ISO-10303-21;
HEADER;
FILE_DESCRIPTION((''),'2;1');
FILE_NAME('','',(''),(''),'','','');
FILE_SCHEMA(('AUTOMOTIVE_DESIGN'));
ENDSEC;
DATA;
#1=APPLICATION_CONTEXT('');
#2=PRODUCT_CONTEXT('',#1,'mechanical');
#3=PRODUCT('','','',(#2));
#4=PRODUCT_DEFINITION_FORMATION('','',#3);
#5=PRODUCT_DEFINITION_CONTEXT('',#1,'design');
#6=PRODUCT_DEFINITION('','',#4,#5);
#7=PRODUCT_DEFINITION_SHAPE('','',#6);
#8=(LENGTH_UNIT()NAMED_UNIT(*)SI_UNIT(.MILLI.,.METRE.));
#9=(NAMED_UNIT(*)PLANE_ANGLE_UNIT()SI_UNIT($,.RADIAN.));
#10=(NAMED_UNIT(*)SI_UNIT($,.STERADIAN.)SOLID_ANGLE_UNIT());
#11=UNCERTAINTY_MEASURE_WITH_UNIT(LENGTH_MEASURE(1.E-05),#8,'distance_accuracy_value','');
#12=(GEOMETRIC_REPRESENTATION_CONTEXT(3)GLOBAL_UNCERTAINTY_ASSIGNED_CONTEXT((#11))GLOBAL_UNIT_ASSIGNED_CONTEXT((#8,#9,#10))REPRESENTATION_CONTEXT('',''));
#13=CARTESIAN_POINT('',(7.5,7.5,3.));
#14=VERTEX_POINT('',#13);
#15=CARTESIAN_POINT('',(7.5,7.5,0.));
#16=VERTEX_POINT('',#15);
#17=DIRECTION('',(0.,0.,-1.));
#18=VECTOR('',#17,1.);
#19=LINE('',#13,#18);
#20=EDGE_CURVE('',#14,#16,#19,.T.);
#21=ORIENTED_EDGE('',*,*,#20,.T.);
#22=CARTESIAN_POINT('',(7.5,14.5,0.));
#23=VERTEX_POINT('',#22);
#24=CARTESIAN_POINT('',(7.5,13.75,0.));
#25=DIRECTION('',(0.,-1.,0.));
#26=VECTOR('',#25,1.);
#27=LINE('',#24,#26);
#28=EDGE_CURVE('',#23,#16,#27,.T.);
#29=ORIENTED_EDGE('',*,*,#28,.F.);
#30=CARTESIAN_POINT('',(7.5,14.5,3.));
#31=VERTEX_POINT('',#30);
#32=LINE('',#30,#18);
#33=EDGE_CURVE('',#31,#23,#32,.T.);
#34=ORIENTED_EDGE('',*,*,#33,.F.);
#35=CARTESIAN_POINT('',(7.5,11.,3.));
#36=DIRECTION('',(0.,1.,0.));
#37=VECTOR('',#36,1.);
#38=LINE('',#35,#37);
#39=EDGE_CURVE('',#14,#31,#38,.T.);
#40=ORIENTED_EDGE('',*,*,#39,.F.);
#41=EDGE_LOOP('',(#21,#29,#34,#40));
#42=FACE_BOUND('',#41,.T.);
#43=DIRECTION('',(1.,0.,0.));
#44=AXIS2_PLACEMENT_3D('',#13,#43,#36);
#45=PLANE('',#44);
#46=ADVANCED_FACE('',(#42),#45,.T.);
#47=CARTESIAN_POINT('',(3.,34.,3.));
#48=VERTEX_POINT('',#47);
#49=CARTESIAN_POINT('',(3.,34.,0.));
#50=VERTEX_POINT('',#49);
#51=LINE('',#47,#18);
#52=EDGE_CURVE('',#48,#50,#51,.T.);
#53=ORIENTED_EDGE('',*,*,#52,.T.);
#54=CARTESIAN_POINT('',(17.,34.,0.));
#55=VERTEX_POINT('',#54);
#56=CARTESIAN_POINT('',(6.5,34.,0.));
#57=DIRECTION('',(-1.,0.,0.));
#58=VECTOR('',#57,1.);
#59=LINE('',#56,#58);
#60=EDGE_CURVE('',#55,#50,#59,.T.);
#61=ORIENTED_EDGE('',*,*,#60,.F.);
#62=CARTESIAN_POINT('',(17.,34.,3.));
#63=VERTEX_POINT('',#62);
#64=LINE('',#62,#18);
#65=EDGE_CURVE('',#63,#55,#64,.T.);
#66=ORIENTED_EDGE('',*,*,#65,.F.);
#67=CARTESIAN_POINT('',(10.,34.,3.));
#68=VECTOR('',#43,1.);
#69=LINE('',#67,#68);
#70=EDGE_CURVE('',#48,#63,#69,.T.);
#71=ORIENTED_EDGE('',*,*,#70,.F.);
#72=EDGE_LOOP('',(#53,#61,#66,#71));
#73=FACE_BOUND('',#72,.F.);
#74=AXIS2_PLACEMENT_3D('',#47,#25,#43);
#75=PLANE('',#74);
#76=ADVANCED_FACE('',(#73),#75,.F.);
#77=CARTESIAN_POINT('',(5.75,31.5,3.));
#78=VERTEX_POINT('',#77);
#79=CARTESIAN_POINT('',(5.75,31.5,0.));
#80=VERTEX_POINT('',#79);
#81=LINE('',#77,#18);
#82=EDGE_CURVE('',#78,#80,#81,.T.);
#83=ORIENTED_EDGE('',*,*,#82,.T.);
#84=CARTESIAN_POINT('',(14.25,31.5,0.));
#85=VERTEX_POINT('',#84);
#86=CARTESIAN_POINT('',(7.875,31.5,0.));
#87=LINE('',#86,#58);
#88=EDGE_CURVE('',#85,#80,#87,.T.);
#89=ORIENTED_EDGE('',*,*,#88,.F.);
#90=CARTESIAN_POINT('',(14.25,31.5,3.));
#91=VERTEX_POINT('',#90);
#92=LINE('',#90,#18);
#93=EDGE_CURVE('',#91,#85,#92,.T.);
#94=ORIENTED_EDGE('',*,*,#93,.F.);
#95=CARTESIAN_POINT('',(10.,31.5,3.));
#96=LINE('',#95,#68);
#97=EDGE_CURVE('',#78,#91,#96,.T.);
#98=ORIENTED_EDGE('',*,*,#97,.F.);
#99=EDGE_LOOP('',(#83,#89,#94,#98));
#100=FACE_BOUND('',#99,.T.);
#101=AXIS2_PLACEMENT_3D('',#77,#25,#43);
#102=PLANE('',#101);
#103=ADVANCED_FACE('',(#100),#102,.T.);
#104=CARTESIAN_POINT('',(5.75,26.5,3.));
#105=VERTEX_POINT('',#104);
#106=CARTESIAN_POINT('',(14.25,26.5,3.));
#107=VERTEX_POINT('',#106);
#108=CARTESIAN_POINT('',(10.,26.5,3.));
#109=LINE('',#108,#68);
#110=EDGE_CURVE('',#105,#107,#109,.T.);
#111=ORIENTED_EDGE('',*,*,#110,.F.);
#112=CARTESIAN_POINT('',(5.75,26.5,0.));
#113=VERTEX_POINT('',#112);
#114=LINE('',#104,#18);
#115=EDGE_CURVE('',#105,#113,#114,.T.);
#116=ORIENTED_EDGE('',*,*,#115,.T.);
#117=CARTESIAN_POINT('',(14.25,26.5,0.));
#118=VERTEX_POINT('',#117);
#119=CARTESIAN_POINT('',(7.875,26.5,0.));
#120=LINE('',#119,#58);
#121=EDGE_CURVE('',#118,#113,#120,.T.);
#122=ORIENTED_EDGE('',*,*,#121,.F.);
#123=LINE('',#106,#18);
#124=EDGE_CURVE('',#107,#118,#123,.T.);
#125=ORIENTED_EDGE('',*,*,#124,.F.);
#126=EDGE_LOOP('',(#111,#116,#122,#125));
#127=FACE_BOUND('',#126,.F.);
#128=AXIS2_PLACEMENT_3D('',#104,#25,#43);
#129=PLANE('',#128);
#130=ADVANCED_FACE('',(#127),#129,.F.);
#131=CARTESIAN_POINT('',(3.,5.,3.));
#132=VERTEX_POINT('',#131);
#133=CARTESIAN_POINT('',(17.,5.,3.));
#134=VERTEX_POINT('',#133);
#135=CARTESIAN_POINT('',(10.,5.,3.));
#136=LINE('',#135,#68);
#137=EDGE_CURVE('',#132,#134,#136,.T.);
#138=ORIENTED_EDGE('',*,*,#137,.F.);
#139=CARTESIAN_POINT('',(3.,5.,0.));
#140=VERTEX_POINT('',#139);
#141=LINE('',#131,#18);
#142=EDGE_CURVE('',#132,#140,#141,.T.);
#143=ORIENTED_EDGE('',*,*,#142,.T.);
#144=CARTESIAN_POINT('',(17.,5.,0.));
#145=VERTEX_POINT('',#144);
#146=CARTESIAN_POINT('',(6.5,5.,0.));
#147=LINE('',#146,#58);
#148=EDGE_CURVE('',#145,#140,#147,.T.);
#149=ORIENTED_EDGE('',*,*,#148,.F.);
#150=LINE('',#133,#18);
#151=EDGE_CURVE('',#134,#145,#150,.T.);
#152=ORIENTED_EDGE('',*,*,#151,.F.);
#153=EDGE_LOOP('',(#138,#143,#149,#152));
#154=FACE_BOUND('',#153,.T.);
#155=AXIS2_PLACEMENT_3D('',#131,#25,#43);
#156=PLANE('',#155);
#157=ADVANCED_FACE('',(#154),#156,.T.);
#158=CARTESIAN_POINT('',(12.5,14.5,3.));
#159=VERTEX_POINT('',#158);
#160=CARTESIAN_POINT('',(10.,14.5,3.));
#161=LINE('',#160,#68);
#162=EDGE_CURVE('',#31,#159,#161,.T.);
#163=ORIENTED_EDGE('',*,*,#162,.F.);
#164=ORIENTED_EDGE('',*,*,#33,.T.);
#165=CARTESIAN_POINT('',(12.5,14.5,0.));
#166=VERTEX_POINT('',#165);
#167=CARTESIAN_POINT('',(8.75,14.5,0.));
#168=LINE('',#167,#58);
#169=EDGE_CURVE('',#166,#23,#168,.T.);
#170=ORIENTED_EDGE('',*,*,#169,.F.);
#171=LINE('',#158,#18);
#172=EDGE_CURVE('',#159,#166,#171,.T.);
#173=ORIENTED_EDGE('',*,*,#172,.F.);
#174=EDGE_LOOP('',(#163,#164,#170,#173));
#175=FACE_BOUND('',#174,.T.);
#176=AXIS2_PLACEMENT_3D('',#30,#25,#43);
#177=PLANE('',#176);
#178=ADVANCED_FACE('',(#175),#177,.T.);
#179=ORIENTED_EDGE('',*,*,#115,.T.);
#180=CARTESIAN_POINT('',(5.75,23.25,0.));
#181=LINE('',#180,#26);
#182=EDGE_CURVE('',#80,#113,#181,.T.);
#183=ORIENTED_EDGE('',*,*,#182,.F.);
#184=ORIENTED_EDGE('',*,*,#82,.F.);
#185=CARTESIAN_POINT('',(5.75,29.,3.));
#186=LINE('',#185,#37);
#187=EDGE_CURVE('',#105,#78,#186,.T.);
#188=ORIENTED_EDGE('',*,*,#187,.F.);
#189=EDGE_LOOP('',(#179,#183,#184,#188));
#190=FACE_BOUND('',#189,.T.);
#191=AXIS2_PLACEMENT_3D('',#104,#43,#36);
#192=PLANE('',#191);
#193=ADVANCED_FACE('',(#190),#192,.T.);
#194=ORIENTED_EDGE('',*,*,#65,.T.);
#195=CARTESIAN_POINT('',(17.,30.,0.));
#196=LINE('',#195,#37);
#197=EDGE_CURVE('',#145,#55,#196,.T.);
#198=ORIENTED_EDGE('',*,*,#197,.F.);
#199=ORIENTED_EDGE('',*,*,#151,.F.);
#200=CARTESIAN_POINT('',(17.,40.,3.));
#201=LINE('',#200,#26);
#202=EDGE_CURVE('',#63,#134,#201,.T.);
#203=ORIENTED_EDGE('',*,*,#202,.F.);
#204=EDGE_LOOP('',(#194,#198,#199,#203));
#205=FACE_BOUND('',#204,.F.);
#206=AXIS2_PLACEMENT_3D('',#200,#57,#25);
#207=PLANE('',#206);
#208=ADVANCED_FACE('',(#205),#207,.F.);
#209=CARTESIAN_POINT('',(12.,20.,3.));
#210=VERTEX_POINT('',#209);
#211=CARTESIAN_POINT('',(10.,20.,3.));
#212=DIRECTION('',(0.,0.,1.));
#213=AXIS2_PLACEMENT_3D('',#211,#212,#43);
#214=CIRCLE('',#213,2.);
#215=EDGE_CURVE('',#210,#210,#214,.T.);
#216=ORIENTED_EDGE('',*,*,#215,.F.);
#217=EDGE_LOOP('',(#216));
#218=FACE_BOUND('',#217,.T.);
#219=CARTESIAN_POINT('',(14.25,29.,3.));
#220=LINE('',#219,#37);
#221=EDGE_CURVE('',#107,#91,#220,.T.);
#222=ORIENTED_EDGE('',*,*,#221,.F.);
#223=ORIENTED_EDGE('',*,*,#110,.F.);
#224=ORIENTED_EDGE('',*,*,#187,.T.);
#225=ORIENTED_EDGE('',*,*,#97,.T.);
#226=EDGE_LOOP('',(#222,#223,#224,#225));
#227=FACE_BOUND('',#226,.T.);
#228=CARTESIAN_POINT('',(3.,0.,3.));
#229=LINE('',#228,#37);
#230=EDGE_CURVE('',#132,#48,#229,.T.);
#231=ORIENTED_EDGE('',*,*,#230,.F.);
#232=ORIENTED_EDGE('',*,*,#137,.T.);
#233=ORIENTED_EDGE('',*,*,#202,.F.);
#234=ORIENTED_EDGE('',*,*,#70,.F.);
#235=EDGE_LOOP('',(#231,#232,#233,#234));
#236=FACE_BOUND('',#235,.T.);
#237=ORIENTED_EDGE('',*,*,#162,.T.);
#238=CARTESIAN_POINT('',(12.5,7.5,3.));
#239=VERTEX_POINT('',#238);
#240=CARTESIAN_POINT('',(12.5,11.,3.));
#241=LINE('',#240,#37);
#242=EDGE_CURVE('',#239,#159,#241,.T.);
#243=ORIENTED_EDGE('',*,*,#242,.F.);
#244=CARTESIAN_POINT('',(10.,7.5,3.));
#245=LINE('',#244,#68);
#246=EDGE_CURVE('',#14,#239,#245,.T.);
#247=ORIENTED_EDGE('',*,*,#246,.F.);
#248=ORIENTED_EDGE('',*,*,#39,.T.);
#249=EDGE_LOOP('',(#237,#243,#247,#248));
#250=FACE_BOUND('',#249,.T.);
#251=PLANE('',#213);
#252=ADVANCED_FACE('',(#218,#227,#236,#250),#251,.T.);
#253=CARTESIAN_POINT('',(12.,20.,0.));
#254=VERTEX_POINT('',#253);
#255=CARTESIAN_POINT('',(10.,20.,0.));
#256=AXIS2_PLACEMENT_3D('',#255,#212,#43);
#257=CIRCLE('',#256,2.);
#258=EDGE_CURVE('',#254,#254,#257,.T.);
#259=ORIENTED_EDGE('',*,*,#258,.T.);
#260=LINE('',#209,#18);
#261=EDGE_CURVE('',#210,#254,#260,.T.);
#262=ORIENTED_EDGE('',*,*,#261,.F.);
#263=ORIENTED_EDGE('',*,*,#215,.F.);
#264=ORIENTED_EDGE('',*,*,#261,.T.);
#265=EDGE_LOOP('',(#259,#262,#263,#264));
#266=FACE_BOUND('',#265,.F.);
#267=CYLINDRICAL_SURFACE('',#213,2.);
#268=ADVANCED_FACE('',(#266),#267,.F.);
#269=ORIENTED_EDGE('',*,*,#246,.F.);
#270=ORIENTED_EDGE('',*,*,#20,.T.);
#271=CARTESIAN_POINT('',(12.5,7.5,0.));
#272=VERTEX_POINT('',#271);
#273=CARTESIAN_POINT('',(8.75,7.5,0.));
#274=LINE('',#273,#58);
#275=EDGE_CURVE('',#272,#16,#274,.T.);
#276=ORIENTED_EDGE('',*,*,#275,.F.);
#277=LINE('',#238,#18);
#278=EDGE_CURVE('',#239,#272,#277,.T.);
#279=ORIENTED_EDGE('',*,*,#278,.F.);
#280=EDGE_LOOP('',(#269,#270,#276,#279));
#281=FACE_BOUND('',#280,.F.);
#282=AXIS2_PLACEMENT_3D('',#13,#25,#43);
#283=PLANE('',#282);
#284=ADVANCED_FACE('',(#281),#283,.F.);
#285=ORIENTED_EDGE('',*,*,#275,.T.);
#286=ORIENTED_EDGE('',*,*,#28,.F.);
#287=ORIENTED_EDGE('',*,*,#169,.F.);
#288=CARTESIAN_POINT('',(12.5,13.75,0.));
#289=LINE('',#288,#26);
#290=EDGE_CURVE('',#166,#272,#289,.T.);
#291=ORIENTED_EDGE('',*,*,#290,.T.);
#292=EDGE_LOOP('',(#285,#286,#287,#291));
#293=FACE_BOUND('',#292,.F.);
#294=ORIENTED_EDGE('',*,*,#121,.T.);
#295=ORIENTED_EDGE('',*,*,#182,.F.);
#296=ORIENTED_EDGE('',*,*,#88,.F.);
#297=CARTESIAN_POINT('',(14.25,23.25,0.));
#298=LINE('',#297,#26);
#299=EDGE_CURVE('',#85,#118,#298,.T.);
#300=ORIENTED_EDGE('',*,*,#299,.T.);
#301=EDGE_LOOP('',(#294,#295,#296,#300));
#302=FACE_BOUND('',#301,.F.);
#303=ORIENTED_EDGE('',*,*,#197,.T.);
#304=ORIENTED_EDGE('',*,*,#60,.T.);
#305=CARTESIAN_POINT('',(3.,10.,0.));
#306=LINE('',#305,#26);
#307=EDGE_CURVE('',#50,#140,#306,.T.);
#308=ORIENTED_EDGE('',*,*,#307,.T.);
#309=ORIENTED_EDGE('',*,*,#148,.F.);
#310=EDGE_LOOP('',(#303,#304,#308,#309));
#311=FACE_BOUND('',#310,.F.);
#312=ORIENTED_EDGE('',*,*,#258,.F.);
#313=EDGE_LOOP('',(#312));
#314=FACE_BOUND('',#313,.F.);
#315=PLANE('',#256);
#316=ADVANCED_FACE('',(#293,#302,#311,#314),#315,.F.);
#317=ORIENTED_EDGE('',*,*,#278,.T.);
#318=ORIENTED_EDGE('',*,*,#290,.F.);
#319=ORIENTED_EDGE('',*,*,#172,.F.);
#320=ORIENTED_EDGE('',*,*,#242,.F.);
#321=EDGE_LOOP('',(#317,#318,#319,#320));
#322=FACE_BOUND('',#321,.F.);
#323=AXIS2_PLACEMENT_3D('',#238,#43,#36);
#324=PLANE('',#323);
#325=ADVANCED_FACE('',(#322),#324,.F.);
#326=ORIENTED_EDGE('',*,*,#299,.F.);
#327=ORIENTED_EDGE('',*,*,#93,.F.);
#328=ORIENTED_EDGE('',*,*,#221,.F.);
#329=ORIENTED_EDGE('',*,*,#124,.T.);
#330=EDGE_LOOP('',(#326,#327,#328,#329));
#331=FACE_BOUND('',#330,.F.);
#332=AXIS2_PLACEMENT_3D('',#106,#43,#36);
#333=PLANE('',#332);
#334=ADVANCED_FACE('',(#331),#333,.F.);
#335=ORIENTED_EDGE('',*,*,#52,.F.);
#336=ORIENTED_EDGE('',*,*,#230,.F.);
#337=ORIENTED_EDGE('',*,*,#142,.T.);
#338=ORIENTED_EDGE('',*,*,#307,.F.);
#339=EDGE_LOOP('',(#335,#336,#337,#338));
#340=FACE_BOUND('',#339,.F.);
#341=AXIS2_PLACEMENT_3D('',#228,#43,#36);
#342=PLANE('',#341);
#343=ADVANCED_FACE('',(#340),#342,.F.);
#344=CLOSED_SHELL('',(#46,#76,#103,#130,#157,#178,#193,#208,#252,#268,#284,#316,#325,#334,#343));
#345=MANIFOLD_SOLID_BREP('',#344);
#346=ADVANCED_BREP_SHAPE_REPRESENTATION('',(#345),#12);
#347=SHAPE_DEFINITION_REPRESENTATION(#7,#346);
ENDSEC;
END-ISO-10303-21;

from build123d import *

# Parameters (mm, degrees)
ESQUISSE1_W             = 20
ESQUISSE1_H             = 40
BOSS_EXTRU_1_DEPTH      = 3
ENL_V_MAT_EXTRU_1_REACH = 5
ESQUISSE2_R             = 2
ESQUISSE2_W             = 8.5
ESQUISSE2_H             = 5
ESQUISSE2_W_2           = 5
ESQUISSE2_H_2           = 7
ENL_V_MAT_EXTRU_2_REACH = 5
ESQUISSE3_W             = 14
ESQUISSE3_H             = 5
ESQUISSE3_H_2           = 6


with BuildPart() as part:
    # Esquisse1 → Boss.-Extru.1 (new body)
    with BuildSketch(Plane.XY):
        with Locations((10, 20)):
            Rectangle(ESQUISSE1_W, ESQUISSE1_H)
    extrude(amount=BOSS_EXTRU_1_DEPTH)

    # Esquisse2 → Enlèv. mat.-Extru.1 (cut, up to next)
    with BuildSketch(Plane.XY.offset(3), mode=Mode.PRIVATE) as enl_v_mat_extru_1_sk1:
        with Locations((10, 20)):
            Circle(ESQUISSE2_R)
    enl_v_mat_extru_1_tool1 = extrude(enl_v_mat_extru_1_sk1.sketch, amount=-ENL_V_MAT_EXTRU_1_REACH, mode=Mode.PRIVATE) & part.part
    add(enl_v_mat_extru_1_tool1.solids().sort_by_distance((10, 20, 3))[0], mode=Mode.SUBTRACT)
    # Esquisse2 → Enlèv. mat.-Extru.1 (cut, up to next)
    with BuildSketch(Plane.XY.offset(3), mode=Mode.PRIVATE) as enl_v_mat_extru_1_sk2:
        with Locations((10, 29)):
            Rectangle(ESQUISSE2_W, ESQUISSE2_H)
    enl_v_mat_extru_1_tool2 = extrude(enl_v_mat_extru_1_sk2.sketch, amount=-ENL_V_MAT_EXTRU_1_REACH, mode=Mode.PRIVATE) & part.part
    add(enl_v_mat_extru_1_tool2.solids().sort_by_distance((10, 29, 3))[0], mode=Mode.SUBTRACT)
    # Esquisse2 → Enlèv. mat.-Extru.1 (cut, up to next)
    with BuildSketch(Plane.XY.offset(3), mode=Mode.PRIVATE) as enl_v_mat_extru_1_sk3:
        with Locations((10, 11)):
            Rectangle(ESQUISSE2_W_2, ESQUISSE2_H_2)
    enl_v_mat_extru_1_tool3 = extrude(enl_v_mat_extru_1_sk3.sketch, amount=-ENL_V_MAT_EXTRU_1_REACH, mode=Mode.PRIVATE) & part.part
    add(enl_v_mat_extru_1_tool3.solids().sort_by_distance((10, 11, 3))[0], mode=Mode.SUBTRACT)

    # Esquisse3 → Enlèv. mat.-Extru.2 (cut, up to next)
    with BuildSketch(Plane.XY.offset(3), mode=Mode.PRIVATE) as enl_v_mat_extru_2_sk1:
        Polygon((0, 40), (0, 0), (3, 0), (3, 5), (3, 34), (3, 40), align=None)
    enl_v_mat_extru_2_tool1 = extrude(enl_v_mat_extru_2_sk1.sketch, amount=-ENL_V_MAT_EXTRU_2_REACH, mode=Mode.PRIVATE) & part.part
    add(enl_v_mat_extru_2_tool1.solids().sort_by_distance((1.5, 20, 3))[0], mode=Mode.SUBTRACT)
    # Esquisse3 → Enlèv. mat.-Extru.2 (cut, up to next)
    with BuildSketch(Plane.XY.offset(3), mode=Mode.PRIVATE) as enl_v_mat_extru_2_sk2:
        Polygon((17, 5), (17, 0), (20, 0), (20, 40), (17, 40), (17, 34), align=None)
    enl_v_mat_extru_2_tool2 = extrude(enl_v_mat_extru_2_sk2.sketch, amount=-ENL_V_MAT_EXTRU_2_REACH, mode=Mode.PRIVATE) & part.part
    add(enl_v_mat_extru_2_tool2.solids().sort_by_distance((18.5, 20, 3))[0], mode=Mode.SUBTRACT)
    # Esquisse3 → Enlèv. mat.-Extru.2 (cut, up to next)
    with BuildSketch(Plane.XY.offset(3), mode=Mode.PRIVATE) as enl_v_mat_extru_2_sk3:
        with Locations((10, 2.5)):
            Rectangle(ESQUISSE3_W, ESQUISSE3_H)
    enl_v_mat_extru_2_tool3 = extrude(enl_v_mat_extru_2_sk3.sketch, amount=-ENL_V_MAT_EXTRU_2_REACH, mode=Mode.PRIVATE) & part.part
    add(enl_v_mat_extru_2_tool3.solids().sort_by_distance((10, 2.5, 3))[0], mode=Mode.SUBTRACT)
    # Esquisse3 → Enlèv. mat.-Extru.2 (cut, up to next)
    with BuildSketch(Plane.XY.offset(3), mode=Mode.PRIVATE) as enl_v_mat_extru_2_sk4:
        with Locations((10, 37)):
            Rectangle(ESQUISSE3_W, ESQUISSE3_H_2)
    enl_v_mat_extru_2_tool4 = extrude(enl_v_mat_extru_2_sk4.sketch, amount=-ENL_V_MAT_EXTRU_2_REACH, mode=Mode.PRIVATE) & part.part
    add(enl_v_mat_extru_2_tool4.solids().sort_by_distance((10, 37, 3))[0], mode=Mode.SUBTRACT)


solid = part.part
